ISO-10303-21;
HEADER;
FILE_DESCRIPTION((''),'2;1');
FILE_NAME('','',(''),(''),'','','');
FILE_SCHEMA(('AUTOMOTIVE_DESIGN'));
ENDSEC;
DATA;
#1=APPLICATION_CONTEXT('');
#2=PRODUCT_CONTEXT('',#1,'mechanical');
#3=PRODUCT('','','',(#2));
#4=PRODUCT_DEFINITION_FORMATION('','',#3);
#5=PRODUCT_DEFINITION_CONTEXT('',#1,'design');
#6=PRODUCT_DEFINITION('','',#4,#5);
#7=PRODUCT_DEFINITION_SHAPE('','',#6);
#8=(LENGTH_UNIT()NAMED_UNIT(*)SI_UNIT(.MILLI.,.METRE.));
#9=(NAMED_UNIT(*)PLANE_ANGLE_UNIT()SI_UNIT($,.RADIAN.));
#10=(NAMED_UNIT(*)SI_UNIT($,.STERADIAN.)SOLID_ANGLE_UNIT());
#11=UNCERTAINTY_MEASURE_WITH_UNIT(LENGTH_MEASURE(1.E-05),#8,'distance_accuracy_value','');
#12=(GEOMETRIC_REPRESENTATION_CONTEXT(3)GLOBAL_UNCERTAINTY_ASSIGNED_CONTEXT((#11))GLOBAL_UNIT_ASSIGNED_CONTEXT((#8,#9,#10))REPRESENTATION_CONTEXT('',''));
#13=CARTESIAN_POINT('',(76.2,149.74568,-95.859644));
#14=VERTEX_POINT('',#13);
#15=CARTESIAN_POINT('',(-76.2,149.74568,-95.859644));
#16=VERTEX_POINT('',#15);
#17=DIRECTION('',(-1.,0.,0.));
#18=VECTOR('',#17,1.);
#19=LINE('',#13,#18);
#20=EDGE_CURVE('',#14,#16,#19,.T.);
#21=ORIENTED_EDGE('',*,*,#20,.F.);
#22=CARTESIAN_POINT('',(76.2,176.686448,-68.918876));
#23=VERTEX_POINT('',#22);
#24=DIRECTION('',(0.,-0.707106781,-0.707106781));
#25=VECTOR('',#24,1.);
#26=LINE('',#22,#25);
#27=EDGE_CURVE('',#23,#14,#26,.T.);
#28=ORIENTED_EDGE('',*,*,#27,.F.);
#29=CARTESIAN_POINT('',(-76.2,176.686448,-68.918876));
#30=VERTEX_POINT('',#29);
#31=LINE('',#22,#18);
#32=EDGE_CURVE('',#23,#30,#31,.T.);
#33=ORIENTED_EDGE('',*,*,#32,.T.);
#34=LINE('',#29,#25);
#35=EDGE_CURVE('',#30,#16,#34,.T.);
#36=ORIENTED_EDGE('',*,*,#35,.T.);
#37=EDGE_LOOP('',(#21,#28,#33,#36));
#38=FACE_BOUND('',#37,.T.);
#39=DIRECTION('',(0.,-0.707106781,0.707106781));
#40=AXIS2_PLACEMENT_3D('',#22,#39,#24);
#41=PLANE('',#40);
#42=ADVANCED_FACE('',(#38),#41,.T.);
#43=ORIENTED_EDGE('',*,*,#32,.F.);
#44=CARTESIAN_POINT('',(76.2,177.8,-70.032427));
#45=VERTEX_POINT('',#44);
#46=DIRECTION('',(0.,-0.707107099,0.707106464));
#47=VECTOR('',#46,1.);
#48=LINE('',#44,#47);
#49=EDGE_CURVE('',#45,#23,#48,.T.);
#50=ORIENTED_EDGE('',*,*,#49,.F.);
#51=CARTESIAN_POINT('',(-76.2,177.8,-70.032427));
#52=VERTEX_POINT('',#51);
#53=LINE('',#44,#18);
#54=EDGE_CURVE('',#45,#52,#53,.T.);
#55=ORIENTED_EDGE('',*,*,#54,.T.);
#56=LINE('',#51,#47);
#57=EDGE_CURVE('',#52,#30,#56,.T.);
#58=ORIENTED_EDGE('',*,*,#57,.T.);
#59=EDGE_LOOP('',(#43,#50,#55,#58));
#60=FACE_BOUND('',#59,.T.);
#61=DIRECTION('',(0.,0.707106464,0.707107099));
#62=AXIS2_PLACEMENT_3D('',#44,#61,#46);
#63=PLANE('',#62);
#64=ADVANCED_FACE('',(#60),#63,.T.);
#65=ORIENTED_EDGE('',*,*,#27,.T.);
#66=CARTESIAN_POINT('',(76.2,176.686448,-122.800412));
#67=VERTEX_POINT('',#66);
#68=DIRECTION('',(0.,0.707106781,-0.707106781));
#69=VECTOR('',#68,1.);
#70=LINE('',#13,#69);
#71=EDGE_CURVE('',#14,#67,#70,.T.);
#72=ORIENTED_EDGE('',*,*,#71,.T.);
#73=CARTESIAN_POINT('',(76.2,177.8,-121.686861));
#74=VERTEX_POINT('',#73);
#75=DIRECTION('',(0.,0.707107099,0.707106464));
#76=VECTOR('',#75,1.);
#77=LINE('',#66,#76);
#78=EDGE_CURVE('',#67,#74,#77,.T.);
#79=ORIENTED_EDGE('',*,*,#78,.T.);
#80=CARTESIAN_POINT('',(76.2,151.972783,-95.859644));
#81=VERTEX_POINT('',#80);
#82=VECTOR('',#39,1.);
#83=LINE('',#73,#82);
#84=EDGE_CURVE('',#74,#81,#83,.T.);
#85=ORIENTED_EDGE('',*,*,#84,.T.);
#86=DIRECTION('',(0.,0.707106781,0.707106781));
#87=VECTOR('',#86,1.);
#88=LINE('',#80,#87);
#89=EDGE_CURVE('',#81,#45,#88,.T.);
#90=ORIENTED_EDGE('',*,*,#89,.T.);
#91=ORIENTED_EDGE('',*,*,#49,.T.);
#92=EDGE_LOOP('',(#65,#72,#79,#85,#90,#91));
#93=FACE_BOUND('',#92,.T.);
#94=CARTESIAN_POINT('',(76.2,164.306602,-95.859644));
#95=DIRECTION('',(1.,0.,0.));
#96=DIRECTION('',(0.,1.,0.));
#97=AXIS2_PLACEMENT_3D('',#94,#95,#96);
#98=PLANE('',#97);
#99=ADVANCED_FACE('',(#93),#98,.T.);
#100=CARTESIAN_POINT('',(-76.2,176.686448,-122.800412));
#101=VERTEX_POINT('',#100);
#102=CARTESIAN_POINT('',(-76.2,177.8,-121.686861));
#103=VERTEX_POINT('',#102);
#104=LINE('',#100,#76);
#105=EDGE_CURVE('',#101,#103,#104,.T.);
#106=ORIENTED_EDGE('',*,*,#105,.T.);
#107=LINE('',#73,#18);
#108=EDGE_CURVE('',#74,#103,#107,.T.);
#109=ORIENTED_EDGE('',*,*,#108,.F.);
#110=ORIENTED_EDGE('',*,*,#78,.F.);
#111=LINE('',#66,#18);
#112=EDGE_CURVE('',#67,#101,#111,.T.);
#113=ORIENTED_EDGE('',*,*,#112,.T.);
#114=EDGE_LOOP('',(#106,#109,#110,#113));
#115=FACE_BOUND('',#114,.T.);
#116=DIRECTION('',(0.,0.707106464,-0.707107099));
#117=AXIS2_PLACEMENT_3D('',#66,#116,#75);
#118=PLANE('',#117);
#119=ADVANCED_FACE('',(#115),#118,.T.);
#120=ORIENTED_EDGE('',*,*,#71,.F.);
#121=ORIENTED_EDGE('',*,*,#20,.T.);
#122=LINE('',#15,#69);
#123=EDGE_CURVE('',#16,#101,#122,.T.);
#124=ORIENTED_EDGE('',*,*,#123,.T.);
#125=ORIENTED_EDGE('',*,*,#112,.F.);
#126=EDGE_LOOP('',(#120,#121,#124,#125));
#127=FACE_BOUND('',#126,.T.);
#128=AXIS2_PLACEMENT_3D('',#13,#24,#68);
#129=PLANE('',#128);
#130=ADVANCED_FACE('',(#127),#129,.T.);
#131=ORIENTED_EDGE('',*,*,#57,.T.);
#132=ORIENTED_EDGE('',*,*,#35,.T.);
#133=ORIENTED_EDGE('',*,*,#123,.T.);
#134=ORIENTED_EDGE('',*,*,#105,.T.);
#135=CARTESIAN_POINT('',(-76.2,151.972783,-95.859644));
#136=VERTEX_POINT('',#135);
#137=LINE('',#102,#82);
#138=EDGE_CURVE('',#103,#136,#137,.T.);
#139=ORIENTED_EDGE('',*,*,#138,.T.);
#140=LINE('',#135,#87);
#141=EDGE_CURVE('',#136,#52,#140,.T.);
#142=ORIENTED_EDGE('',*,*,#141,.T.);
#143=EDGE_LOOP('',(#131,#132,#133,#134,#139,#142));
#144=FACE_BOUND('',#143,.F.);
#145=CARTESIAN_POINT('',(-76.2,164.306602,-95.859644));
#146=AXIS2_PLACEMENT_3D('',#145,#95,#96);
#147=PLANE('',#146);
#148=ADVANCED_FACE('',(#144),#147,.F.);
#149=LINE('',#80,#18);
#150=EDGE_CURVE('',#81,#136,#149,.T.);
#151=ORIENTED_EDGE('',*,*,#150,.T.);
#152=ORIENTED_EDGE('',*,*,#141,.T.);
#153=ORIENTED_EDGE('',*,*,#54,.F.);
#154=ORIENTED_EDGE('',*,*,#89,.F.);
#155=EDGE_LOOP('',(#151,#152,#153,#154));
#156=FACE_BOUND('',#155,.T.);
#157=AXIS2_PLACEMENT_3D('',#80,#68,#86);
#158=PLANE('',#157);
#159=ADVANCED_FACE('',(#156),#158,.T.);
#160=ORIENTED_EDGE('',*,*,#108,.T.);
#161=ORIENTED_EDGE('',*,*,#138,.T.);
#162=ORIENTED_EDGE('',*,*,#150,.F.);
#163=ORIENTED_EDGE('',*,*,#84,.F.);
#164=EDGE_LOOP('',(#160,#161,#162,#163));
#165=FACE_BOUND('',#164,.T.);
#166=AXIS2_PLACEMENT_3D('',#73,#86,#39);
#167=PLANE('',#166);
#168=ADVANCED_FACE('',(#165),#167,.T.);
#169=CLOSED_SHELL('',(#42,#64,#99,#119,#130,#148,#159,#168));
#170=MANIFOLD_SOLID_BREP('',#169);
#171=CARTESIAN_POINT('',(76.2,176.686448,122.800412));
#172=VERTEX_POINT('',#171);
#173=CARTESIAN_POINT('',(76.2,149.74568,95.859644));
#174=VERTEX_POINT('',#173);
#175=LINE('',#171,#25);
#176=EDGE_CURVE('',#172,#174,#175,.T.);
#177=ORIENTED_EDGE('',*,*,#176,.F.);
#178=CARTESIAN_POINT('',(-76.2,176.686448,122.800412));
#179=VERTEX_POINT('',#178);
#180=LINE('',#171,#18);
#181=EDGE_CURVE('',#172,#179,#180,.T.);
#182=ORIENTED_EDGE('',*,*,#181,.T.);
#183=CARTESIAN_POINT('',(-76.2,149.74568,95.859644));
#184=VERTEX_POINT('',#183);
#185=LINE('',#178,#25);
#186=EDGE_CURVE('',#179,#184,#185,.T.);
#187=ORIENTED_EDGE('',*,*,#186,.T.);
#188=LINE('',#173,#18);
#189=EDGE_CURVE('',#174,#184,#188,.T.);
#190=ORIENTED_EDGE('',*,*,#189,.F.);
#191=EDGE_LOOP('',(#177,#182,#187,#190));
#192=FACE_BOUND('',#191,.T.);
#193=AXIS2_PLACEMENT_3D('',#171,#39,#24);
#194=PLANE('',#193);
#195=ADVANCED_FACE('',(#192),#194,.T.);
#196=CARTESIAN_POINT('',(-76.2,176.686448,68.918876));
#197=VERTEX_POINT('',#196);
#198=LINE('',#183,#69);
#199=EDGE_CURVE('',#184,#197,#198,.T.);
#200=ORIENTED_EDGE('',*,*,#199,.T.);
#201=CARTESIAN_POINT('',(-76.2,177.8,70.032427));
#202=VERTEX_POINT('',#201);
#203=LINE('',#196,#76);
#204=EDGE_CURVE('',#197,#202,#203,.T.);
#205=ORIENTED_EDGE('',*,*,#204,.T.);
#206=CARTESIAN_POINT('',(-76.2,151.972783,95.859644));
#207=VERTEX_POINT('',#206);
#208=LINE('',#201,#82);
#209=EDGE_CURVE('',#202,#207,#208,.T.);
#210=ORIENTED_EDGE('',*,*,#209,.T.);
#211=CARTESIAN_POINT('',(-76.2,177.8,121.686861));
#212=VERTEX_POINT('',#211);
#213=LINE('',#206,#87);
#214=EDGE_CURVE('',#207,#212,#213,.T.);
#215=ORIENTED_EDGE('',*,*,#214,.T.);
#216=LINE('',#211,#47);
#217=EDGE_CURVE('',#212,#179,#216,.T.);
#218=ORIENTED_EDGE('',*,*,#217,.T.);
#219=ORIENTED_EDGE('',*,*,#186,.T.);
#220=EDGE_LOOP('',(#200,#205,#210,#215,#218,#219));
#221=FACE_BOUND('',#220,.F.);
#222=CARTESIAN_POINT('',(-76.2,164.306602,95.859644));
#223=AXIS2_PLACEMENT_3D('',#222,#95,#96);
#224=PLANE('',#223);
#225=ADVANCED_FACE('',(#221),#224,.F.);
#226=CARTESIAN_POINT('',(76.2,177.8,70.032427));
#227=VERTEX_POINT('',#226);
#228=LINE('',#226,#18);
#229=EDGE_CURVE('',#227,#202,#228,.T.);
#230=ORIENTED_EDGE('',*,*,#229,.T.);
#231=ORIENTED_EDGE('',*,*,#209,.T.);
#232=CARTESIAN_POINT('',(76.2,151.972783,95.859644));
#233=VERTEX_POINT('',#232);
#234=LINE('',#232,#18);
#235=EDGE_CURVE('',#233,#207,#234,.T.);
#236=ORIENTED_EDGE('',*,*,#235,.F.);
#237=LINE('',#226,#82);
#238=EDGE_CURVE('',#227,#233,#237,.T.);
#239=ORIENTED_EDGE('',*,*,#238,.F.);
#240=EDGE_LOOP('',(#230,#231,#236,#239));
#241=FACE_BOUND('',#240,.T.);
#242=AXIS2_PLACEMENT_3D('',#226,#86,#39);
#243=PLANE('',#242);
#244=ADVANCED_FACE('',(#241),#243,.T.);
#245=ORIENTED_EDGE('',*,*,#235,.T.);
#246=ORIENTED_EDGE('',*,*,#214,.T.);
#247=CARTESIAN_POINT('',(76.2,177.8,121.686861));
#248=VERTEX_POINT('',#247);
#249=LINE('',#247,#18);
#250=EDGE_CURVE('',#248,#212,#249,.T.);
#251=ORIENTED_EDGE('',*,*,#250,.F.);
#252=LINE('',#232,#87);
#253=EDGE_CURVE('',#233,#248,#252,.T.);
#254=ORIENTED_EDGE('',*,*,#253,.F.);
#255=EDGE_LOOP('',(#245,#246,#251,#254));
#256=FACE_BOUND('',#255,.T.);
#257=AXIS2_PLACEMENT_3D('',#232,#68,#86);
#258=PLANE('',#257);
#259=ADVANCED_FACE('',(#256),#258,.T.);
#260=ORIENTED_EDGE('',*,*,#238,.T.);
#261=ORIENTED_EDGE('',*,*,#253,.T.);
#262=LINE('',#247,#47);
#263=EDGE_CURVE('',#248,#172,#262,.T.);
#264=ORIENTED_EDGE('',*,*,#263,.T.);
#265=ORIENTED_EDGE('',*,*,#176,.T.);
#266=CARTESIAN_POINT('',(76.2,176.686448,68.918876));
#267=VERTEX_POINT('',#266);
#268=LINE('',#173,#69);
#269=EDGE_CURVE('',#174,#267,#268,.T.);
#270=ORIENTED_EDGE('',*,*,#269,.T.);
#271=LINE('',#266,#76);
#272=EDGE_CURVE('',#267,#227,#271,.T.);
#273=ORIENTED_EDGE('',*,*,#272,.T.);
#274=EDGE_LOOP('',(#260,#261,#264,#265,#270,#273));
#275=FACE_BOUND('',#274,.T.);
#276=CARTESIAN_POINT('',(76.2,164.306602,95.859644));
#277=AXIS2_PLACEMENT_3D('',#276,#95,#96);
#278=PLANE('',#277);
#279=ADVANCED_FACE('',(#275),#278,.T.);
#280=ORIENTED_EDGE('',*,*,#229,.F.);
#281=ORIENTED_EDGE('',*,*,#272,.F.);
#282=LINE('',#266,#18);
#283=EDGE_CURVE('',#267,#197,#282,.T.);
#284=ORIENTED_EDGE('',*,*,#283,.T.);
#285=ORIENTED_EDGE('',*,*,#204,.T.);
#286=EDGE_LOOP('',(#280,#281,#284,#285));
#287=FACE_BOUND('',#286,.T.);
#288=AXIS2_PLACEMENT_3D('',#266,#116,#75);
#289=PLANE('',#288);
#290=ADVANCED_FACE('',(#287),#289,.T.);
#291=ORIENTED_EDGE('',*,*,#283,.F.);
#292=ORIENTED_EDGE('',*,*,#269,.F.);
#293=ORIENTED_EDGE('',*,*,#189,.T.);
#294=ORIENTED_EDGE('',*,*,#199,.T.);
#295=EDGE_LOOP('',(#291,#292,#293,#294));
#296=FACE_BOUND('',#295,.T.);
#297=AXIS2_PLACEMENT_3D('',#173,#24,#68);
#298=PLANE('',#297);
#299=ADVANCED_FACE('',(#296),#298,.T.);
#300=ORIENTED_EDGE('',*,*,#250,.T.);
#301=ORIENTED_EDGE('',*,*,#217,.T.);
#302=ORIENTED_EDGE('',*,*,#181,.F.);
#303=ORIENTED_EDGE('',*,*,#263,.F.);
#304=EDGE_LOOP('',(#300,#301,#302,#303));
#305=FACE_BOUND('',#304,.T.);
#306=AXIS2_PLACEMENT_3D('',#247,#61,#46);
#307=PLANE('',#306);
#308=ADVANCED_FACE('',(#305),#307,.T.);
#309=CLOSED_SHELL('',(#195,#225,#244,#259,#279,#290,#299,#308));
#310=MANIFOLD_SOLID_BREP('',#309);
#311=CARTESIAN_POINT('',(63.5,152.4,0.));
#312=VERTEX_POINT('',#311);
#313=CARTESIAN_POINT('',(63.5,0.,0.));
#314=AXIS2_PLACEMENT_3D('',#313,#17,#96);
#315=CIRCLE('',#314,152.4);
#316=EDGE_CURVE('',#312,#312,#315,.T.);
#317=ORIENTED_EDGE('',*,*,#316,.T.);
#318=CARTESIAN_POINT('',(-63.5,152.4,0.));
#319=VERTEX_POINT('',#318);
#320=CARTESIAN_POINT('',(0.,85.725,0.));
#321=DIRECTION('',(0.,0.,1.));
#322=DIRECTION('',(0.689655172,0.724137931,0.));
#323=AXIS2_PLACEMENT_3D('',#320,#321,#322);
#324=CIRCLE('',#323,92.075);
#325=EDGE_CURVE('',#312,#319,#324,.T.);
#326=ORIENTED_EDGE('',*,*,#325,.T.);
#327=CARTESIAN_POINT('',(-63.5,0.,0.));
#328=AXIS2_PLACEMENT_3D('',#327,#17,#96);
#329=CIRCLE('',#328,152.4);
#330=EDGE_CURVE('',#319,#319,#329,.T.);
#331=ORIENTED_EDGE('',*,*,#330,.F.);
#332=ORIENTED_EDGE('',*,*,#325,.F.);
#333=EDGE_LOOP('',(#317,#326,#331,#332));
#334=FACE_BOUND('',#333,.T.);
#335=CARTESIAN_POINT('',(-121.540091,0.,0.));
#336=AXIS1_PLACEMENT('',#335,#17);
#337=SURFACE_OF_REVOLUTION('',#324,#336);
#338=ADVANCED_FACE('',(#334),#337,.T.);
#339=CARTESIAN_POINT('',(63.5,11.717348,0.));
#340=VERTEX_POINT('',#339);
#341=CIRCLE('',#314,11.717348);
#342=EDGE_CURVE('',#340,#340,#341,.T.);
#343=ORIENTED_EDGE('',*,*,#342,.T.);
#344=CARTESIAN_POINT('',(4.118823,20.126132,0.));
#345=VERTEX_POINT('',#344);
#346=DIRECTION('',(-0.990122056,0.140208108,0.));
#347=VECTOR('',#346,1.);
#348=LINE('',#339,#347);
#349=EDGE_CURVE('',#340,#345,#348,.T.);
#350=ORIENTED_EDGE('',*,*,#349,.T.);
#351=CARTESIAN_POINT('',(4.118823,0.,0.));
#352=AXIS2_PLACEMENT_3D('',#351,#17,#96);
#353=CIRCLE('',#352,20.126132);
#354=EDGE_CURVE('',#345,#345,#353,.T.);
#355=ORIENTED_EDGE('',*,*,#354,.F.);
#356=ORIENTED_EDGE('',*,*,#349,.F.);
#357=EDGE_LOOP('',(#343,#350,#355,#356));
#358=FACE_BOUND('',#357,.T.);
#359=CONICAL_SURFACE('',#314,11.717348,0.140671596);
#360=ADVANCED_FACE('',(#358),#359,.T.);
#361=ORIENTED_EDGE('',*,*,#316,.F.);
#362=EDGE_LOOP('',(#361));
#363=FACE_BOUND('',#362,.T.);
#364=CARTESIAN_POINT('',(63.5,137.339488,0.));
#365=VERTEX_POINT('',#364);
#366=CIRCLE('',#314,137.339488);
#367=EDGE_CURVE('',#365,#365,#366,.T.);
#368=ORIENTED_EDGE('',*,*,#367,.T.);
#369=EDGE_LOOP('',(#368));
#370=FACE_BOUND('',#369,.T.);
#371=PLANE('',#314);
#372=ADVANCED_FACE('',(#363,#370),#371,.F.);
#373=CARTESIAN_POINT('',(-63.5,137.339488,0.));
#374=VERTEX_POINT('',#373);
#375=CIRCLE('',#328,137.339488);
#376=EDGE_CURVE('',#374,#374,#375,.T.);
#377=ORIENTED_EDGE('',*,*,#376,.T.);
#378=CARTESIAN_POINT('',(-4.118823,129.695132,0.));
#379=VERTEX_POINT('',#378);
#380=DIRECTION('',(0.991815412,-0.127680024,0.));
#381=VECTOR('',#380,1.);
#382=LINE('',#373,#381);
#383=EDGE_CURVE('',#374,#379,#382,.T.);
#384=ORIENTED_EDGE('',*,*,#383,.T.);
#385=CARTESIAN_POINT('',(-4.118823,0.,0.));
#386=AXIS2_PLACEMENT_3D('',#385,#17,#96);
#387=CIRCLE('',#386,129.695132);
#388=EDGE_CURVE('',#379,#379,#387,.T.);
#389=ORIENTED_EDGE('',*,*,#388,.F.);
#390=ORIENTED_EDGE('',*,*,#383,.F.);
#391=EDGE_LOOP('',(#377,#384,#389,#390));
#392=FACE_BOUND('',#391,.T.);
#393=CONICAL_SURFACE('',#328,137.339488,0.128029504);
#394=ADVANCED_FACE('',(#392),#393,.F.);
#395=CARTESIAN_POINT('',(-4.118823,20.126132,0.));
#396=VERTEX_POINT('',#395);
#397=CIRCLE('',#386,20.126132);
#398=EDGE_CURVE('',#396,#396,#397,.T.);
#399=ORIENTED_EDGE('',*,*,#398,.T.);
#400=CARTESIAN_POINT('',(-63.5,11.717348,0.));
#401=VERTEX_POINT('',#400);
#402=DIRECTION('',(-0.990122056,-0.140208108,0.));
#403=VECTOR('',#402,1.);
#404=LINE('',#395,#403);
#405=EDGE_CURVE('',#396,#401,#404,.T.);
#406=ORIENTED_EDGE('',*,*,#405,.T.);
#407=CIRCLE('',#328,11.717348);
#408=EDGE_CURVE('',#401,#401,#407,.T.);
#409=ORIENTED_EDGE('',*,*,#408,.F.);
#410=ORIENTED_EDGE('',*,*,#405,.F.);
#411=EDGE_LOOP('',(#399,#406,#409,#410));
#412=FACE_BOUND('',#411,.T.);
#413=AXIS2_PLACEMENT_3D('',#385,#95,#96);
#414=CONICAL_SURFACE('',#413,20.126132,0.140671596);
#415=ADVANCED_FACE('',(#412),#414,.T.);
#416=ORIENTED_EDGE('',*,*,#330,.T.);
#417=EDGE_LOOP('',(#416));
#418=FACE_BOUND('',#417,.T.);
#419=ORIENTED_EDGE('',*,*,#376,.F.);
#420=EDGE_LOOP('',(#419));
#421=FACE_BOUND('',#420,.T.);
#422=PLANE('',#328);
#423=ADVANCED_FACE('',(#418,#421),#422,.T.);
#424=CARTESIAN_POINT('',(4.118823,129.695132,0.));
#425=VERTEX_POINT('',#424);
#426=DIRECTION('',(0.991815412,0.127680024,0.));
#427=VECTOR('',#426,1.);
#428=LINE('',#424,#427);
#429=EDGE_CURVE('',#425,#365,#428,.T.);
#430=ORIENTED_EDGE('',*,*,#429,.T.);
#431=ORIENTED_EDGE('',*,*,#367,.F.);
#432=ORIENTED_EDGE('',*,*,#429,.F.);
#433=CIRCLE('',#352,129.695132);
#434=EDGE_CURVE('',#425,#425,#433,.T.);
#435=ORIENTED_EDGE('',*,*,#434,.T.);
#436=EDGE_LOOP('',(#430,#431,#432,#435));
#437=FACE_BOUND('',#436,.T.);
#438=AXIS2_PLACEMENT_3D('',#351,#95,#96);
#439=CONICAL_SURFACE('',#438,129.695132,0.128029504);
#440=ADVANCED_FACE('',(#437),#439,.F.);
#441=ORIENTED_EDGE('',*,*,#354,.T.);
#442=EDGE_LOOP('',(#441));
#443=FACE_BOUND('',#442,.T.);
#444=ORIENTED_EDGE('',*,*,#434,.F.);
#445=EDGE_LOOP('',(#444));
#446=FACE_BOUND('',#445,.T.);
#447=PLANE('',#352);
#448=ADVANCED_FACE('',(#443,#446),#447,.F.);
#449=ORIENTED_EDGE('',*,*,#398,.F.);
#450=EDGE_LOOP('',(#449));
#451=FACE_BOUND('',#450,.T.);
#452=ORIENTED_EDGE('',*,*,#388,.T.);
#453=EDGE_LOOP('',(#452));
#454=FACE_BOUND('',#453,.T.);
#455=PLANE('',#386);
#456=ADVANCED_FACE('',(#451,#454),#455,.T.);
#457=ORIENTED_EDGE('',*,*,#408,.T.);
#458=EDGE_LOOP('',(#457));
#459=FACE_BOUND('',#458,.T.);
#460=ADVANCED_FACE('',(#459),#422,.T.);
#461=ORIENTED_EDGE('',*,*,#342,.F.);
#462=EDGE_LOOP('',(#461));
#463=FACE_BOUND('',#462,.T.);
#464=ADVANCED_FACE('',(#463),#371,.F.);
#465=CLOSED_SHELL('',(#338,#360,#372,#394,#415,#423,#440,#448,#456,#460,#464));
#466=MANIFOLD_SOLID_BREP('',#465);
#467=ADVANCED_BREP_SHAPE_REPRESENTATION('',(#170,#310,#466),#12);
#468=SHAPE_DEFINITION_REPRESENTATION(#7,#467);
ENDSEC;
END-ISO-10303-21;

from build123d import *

# Parameters (mm, degrees)
F4_DEPTH = 152.4


with BuildPart() as f1:
    # F0 (on Top) → F1 (revolve)
    with BuildSketch(Plane.XY):
        with BuildLine():
            Line((63.5, 137.339488), (63.5, 152.4))
            ThreePointArc((63.5, 152.4), (0, 177.8), (-63.5, 152.4))
            Line((-63.5, 152.4), (-63.5, 137.339488))
            Line((-63.5, 137.339488), (-4.118823, 129.695132))
            Line((-4.118823, 129.695132), (-4.118823, 20.126132))
            Line((-4.118823, 20.126132), (-63.5, 11.717348))
            Line((-63.5, 11.717348), (-63.5, 0))
            Line((-63.5, 0), (63.5, 0))
            Line((63.5, 0), (63.5, 11.717348))
            Line((63.5, 11.717348), (4.118823, 20.126132))
            Line((4.118823, 20.126132), (4.118823, 129.695132))
            Line((4.118823, 129.695132), (63.5, 137.339488))
        make_face()
    revolve(axis=Axis((-121.540091, 0, 0), (-1, 0, 0)))


with BuildPart() as f4:
    # F3 (on offset) → F4 (new body)
    with BuildSketch(Plane.YZ.offset(76.2)):
        Polygon((176.686448, -68.918876), (149.74568, -95.859644), (176.686448, -122.800412), (177.8, -121.686861), (151.972783, -95.859644), (177.8, -70.032427), align=None)
        Polygon((176.686448, 68.918876), (177.8, 70.032427), (151.972783, 95.859644), (177.8, 121.686861), (176.686448, 122.800412), (149.74568, 95.859644), align=None)
    extrude(amount=-F4_DEPTH)


solid = Compound([f1.part, f4.part])
